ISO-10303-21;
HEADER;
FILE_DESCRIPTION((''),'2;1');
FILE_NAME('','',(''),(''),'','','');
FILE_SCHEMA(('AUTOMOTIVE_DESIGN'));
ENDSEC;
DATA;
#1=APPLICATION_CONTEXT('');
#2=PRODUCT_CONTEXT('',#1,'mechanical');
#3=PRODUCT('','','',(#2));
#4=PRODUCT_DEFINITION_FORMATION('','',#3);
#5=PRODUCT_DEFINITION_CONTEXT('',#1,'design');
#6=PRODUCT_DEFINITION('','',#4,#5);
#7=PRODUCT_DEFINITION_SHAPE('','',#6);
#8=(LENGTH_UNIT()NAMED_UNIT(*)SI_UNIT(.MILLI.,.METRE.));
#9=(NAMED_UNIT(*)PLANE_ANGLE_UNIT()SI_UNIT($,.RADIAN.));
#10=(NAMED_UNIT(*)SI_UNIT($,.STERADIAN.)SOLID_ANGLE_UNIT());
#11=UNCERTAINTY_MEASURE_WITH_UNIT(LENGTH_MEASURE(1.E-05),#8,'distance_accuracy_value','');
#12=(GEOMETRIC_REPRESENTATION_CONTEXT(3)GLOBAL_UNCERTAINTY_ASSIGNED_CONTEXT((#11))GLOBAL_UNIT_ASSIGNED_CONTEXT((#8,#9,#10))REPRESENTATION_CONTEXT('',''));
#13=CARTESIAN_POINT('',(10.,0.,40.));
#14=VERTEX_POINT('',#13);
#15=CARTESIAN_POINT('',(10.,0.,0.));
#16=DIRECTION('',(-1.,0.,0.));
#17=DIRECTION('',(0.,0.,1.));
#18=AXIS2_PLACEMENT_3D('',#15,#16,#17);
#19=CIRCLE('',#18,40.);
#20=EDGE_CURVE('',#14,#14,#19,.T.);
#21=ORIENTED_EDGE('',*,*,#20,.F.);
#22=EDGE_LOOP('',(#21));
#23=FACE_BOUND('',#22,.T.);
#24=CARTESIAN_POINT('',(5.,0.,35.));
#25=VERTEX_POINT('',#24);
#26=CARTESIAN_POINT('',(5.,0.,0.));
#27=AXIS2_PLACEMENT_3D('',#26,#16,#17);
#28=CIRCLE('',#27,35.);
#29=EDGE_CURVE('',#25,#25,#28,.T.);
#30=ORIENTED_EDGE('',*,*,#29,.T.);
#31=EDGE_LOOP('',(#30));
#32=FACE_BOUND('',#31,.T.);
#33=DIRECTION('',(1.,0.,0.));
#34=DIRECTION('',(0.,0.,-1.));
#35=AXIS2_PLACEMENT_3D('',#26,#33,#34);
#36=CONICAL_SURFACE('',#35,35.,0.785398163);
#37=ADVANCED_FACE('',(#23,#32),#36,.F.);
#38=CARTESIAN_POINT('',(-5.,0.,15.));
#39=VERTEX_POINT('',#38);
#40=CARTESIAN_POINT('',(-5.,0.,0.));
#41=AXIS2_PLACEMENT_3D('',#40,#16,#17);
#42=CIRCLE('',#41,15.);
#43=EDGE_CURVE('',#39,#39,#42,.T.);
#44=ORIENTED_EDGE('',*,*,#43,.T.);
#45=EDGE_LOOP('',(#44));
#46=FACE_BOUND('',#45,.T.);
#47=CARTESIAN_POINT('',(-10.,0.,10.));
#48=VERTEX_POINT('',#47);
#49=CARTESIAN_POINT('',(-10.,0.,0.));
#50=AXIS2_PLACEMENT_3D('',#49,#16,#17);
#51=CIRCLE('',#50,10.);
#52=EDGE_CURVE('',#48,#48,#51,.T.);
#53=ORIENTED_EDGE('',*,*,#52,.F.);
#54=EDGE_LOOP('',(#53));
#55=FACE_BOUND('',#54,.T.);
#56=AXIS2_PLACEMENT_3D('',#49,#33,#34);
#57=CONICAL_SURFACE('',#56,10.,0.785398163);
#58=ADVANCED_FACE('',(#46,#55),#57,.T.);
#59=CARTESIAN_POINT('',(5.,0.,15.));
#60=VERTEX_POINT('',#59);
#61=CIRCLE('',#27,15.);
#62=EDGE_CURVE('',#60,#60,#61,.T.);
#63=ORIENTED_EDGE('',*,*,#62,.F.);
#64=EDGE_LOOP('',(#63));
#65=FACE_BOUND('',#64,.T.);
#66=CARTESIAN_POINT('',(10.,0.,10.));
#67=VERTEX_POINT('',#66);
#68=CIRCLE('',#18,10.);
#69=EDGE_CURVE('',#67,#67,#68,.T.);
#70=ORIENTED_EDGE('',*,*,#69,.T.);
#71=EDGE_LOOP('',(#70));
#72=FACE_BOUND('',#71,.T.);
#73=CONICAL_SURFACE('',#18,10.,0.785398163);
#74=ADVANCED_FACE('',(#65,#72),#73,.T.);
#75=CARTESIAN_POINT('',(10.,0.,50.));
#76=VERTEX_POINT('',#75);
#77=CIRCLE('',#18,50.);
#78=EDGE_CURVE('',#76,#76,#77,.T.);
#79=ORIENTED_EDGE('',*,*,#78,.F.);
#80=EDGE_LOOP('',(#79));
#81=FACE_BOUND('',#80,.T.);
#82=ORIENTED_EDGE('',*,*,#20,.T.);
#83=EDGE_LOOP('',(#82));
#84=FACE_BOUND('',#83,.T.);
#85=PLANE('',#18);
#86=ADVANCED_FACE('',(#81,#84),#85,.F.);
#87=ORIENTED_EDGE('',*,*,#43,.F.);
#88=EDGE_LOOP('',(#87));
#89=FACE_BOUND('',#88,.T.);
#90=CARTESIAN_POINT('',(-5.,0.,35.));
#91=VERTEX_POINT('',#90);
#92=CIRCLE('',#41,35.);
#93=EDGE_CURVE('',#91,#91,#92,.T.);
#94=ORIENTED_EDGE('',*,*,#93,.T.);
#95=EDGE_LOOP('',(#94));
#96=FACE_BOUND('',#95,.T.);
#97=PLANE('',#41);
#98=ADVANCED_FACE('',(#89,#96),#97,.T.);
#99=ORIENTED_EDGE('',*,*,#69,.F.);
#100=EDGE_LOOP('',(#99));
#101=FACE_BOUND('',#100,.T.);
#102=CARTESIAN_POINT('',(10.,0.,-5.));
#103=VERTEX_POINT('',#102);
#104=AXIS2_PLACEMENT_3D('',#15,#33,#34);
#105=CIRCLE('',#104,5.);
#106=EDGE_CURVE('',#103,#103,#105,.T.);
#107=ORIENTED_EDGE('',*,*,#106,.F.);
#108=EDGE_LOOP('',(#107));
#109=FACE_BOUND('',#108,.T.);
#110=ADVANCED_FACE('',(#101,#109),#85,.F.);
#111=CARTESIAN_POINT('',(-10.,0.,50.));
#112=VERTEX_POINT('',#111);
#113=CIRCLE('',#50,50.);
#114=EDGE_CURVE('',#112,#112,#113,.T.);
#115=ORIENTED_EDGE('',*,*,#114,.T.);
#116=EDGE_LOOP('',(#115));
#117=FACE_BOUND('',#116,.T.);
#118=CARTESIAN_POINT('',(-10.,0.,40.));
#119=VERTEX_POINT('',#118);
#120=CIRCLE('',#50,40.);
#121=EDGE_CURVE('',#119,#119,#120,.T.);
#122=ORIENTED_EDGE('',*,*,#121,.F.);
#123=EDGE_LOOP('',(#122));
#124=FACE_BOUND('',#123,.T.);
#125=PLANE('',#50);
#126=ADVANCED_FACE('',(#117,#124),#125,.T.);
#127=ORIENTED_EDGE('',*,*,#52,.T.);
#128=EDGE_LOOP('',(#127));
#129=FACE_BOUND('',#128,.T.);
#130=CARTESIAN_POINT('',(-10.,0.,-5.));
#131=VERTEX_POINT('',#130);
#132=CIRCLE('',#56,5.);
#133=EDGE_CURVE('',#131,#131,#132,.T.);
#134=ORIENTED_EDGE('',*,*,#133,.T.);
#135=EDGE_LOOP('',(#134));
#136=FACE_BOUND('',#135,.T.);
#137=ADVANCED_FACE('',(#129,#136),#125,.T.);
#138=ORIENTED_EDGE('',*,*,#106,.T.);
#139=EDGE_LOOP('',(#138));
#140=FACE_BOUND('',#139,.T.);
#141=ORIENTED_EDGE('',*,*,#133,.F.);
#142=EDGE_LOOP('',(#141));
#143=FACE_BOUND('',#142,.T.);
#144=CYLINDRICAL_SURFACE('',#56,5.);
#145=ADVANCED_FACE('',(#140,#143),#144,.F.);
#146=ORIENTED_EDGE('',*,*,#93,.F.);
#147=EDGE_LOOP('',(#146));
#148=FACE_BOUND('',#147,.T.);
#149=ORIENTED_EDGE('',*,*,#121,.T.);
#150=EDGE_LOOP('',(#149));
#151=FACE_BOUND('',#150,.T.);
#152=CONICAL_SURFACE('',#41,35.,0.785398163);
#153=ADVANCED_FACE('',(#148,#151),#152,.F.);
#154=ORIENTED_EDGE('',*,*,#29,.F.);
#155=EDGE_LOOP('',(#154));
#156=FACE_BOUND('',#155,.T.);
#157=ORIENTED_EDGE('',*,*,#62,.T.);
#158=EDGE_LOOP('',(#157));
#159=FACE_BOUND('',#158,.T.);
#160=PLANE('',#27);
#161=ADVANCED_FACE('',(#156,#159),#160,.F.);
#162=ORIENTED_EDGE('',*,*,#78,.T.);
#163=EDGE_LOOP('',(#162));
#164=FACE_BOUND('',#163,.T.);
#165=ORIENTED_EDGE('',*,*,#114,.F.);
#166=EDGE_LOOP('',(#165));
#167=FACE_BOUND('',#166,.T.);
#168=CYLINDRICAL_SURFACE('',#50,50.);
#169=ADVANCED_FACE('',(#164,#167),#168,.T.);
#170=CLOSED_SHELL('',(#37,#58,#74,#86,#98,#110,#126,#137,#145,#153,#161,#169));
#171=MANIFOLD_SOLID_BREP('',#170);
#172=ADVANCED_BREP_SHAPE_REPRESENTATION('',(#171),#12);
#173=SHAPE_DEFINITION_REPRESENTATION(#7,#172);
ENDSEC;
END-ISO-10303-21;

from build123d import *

# Parameters (mm, degrees)
SKETCH2_R          = 5
CUT_EXTRUDE1_DEPTH = 74.484692283


with BuildPart() as part:
    # Sketch1 → Revolve1 (revolve)
    with BuildSketch(Plane.XY):
        Polygon((-10, 10), (-10, 0), (10, 0), (10, 10), (5, 15), (5, 35), (10, 40), (10, 50), (-10, 50), (-10, 40), (-5, 35), (-5, 15), align=None)
    revolve(axis=Axis((-10, 0, 0), (1, 0, 0)))

    # Sketch2 → Cut-Extrude1 (cut, through all)
    with BuildSketch(Plane(origin=(10, 0, 0), x_dir=(0, 0, -1), z_dir=(1, 0, 0))):
        Circle(SKETCH2_R)
    extrude(amount=-CUT_EXTRUDE1_DEPTH, mode=Mode.SUBTRACT)


solid = part.part
